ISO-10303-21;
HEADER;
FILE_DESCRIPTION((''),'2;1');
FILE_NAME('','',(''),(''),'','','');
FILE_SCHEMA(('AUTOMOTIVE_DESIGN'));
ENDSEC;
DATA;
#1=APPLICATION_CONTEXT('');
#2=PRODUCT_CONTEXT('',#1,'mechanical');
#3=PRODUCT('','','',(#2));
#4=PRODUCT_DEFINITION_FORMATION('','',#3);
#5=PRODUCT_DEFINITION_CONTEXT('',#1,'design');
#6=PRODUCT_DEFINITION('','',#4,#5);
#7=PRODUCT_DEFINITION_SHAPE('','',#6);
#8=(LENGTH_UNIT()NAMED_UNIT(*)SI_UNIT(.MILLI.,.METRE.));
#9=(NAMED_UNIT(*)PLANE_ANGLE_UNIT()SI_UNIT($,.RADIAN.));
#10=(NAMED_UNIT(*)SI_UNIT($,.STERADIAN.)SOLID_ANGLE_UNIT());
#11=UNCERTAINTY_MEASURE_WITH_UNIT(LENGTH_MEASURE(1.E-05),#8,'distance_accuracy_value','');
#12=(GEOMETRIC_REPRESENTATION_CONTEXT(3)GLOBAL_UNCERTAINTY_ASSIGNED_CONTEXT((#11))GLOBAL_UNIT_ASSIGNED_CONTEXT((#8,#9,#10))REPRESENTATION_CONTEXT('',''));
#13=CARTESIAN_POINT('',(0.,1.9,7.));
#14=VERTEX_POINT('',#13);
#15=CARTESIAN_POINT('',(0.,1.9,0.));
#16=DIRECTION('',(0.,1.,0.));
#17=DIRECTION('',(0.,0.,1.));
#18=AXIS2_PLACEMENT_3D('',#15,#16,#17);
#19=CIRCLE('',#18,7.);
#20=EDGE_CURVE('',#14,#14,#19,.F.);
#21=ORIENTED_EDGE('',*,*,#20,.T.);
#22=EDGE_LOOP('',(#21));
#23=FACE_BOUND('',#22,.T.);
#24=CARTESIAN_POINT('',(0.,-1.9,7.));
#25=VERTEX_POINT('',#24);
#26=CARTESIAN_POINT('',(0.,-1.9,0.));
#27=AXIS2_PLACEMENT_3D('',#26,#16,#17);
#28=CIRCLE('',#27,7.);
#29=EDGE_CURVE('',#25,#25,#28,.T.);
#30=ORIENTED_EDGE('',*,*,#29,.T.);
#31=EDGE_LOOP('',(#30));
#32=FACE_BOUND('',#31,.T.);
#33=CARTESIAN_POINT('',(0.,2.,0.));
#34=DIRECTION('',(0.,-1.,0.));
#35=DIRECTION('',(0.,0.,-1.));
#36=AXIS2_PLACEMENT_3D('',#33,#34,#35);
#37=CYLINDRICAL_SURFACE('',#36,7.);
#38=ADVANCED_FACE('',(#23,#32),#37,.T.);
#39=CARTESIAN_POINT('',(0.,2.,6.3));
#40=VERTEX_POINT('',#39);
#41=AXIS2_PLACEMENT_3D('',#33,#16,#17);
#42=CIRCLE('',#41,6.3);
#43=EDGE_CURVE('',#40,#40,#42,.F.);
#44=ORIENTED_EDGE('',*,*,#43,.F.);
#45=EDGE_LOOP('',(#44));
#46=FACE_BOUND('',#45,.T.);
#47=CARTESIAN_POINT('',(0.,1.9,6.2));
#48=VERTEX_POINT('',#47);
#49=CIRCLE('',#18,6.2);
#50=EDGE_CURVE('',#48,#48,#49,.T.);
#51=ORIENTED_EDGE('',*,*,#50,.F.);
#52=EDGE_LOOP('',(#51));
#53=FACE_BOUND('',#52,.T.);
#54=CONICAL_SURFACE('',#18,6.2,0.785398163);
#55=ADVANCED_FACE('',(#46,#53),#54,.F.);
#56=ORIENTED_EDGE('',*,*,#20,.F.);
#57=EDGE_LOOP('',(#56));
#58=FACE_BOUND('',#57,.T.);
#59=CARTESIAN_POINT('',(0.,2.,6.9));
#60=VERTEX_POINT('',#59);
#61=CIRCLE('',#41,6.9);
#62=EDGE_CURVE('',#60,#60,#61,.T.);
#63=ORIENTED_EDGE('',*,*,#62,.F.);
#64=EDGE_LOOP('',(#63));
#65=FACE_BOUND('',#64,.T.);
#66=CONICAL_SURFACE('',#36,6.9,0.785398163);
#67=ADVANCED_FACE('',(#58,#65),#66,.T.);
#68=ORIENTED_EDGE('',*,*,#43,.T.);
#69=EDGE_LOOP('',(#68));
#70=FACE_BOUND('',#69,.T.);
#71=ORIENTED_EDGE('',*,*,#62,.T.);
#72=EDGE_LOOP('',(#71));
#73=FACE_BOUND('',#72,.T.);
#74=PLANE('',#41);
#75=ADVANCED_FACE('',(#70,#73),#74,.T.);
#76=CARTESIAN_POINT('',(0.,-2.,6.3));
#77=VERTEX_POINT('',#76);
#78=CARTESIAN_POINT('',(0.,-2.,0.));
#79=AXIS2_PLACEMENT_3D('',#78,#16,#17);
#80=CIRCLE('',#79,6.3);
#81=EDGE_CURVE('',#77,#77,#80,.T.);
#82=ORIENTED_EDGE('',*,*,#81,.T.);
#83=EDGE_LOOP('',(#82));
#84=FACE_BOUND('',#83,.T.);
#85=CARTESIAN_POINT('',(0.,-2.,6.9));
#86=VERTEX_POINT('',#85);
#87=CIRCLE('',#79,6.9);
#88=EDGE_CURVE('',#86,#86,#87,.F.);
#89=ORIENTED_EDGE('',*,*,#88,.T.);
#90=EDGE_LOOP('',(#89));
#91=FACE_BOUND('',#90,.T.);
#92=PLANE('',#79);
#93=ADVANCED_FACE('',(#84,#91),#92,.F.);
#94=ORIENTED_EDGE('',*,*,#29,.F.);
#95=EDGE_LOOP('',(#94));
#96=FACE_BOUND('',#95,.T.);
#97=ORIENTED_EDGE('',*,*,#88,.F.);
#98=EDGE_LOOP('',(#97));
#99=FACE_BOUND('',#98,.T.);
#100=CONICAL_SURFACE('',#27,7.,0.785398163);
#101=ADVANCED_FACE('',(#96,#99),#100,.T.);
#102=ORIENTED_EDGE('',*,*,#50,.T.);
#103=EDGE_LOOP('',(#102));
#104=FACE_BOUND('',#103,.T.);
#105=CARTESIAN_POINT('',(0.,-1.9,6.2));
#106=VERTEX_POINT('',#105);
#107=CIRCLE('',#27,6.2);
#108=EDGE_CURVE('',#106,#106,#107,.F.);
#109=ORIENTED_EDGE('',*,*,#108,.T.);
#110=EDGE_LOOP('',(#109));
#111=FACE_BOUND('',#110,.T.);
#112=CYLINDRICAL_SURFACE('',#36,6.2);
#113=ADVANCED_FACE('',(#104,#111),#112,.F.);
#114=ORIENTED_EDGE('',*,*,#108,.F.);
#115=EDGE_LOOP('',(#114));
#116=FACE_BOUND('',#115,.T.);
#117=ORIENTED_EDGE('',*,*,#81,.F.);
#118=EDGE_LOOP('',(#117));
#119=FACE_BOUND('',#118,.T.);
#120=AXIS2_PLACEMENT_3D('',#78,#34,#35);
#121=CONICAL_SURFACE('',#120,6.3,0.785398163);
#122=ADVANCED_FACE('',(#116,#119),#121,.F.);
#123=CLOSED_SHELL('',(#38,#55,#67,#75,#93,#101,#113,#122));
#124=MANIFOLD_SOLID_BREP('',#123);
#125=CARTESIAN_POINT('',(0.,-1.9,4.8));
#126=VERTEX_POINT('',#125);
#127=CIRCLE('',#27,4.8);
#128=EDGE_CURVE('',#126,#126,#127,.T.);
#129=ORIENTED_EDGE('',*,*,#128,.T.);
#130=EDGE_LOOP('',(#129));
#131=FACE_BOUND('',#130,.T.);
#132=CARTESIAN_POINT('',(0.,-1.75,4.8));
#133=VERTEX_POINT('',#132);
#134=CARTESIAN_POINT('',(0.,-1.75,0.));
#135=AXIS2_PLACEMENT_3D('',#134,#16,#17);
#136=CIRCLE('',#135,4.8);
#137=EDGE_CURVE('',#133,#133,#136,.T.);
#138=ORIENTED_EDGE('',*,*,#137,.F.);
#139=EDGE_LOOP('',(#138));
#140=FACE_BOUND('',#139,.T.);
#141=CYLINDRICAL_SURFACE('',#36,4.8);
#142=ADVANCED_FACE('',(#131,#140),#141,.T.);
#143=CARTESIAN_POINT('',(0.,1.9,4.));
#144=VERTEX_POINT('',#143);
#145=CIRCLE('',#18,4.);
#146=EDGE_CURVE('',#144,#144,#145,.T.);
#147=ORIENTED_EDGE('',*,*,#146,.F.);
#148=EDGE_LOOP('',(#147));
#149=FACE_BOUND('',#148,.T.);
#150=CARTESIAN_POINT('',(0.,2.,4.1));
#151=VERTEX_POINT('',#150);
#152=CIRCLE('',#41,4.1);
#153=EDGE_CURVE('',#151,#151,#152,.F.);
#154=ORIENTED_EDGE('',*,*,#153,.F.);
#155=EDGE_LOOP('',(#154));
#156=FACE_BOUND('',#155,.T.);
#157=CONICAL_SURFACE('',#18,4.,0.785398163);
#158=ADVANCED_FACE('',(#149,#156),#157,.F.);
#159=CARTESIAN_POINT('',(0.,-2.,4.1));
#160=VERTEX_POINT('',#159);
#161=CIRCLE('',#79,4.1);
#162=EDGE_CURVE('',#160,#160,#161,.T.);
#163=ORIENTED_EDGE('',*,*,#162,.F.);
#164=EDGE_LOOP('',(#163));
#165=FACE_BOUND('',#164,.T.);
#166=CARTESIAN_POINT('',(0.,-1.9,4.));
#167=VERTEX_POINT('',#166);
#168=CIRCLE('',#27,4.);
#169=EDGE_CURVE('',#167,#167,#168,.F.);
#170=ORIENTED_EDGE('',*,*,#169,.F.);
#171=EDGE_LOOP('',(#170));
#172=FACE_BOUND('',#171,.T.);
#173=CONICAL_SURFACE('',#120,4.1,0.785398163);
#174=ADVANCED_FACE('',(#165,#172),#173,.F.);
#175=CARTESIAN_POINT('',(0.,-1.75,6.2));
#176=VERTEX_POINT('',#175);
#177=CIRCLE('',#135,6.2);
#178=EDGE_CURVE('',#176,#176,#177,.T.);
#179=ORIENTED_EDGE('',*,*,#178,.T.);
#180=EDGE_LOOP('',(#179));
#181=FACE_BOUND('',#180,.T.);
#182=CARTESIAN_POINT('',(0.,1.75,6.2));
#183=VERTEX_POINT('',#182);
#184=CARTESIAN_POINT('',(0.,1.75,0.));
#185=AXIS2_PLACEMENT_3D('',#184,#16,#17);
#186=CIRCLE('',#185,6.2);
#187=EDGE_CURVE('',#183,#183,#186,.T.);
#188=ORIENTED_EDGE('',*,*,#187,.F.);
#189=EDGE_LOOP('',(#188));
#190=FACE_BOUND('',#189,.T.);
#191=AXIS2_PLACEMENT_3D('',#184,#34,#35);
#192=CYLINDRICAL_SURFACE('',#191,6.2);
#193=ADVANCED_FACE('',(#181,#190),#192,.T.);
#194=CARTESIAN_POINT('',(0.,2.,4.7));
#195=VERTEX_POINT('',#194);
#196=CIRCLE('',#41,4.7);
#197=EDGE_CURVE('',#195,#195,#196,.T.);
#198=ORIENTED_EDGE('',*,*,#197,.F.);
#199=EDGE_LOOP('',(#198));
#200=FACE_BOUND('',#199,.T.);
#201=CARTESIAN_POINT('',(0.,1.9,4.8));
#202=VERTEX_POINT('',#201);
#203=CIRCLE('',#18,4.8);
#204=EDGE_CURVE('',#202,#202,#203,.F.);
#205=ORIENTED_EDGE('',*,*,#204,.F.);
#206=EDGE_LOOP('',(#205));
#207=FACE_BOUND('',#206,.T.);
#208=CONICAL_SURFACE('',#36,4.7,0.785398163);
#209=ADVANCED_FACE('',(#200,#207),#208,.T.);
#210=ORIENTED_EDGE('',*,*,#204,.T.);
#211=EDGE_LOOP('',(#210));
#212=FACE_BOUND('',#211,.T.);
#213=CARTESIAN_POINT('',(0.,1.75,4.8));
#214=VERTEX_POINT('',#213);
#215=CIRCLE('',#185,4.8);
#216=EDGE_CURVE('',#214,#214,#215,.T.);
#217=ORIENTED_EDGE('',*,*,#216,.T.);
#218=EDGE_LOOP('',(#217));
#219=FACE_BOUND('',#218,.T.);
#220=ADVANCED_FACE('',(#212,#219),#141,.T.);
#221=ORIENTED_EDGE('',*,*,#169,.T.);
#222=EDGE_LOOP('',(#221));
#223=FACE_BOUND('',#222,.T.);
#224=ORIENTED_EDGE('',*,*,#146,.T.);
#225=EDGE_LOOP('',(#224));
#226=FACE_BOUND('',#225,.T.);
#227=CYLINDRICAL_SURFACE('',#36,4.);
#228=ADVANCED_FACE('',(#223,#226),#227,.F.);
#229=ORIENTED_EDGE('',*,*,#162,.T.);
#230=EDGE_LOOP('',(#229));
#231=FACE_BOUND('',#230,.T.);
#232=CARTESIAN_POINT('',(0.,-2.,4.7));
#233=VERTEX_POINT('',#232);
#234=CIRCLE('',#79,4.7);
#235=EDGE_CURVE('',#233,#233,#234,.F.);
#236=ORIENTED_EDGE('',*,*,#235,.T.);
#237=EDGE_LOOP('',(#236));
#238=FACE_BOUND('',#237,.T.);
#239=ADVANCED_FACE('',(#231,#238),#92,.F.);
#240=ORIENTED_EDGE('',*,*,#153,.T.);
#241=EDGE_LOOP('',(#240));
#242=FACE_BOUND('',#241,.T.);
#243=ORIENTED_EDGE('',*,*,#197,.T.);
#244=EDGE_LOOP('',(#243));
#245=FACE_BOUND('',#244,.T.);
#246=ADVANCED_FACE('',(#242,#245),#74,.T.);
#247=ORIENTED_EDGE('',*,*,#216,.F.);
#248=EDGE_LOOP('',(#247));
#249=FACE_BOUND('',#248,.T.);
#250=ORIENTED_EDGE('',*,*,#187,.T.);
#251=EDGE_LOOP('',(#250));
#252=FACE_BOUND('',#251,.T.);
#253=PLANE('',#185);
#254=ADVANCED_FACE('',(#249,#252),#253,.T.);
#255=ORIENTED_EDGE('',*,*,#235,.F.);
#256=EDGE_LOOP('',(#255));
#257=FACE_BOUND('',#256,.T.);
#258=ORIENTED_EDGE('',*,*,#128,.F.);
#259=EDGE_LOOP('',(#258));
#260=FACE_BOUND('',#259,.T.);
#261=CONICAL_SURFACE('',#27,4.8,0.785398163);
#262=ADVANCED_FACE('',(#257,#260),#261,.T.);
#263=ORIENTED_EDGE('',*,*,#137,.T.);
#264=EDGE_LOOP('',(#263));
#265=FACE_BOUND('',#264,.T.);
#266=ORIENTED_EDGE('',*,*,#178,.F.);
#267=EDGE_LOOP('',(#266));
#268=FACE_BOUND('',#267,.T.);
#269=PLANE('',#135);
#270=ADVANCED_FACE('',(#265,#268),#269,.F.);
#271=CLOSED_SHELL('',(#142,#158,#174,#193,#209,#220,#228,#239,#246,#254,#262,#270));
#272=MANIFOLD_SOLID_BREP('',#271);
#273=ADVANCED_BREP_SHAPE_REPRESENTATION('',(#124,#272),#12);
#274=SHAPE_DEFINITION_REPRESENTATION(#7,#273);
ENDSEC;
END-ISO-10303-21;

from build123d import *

# Parameters (mm, degrees)
SKETCH1_R             = 7
SKETCH1_R_2           = 6.2
BOSS_EXTRUDE1_DEPTH   = 2
SKETCH1_R_3           = 4.8
SKETCH1_R_4           = 4
BOSS_EXTRUDE1_2_DEPTH = 2
SKETCH1_3_R           = 6.2
SKETCH1_3_R_2         = 4.8
BOSS_EXTRUDE2_DEPTH   = 1.75
CHAMFER2_SIZE         = 0.1
CHAMFER3_SIZE         = 0.1


with BuildPart() as part:
    # Sketch1 → Boss-Extrude1 (new, symmetric)
    with BuildSketch(Plane(origin=(0, 0, 0), x_dir=(1, 0, 0), z_dir=(0, 1, 0))):
        Circle(SKETCH1_R)
        Circle(SKETCH1_R_2, mode=Mode.SUBTRACT)
    extrude(amount=BOSS_EXTRUDE1_DEPTH, both=True)

    # Chamfer3
    chamfer3_edges = [part.edges().sort_by_distance(p)[0] for p in [
        (-6.2, 2, 0),
        (-7, 2, 0),
        (-6.2, -2, 0),
        (-7, -2, 0),
    ]]
    chamfer(chamfer3_edges, length=CHAMFER3_SIZE)


with BuildPart() as body_2:
    # Sketch1 → Boss-Extrude1 2 (new, symmetric)
    with BuildSketch(Plane(origin=(0, 0, 0), x_dir=(1, 0, 0), z_dir=(0, 1, 0))):
        Circle(SKETCH1_R_3)
        Circle(SKETCH1_R_4, mode=Mode.SUBTRACT)
    extrude(amount=BOSS_EXTRUDE1_2_DEPTH, both=True)

    # Sketch1<3> → Boss-Extrude2 (add, symmetric)
    with BuildSketch(Plane(origin=(0, 0, 0), x_dir=(1, 0, 0), z_dir=(0, 1, 0))):
        Circle(SKETCH1_3_R)
        Circle(SKETCH1_3_R_2, mode=Mode.SUBTRACT)
    extrude(amount=BOSS_EXTRUDE2_DEPTH, both=True)

    # Chamfer2
    chamfer2_edges = [body_2.edges().sort_by_distance(p)[0] for p in [
        (-4.8, -2, 0),
        (-4, -2, 0),
        (-4.8, 2, 0),
        (-4, 2, 0),
    ]]
    chamfer(chamfer2_edges, length=CHAMFER2_SIZE)


solid = Compound([part.part, body_2.part])
